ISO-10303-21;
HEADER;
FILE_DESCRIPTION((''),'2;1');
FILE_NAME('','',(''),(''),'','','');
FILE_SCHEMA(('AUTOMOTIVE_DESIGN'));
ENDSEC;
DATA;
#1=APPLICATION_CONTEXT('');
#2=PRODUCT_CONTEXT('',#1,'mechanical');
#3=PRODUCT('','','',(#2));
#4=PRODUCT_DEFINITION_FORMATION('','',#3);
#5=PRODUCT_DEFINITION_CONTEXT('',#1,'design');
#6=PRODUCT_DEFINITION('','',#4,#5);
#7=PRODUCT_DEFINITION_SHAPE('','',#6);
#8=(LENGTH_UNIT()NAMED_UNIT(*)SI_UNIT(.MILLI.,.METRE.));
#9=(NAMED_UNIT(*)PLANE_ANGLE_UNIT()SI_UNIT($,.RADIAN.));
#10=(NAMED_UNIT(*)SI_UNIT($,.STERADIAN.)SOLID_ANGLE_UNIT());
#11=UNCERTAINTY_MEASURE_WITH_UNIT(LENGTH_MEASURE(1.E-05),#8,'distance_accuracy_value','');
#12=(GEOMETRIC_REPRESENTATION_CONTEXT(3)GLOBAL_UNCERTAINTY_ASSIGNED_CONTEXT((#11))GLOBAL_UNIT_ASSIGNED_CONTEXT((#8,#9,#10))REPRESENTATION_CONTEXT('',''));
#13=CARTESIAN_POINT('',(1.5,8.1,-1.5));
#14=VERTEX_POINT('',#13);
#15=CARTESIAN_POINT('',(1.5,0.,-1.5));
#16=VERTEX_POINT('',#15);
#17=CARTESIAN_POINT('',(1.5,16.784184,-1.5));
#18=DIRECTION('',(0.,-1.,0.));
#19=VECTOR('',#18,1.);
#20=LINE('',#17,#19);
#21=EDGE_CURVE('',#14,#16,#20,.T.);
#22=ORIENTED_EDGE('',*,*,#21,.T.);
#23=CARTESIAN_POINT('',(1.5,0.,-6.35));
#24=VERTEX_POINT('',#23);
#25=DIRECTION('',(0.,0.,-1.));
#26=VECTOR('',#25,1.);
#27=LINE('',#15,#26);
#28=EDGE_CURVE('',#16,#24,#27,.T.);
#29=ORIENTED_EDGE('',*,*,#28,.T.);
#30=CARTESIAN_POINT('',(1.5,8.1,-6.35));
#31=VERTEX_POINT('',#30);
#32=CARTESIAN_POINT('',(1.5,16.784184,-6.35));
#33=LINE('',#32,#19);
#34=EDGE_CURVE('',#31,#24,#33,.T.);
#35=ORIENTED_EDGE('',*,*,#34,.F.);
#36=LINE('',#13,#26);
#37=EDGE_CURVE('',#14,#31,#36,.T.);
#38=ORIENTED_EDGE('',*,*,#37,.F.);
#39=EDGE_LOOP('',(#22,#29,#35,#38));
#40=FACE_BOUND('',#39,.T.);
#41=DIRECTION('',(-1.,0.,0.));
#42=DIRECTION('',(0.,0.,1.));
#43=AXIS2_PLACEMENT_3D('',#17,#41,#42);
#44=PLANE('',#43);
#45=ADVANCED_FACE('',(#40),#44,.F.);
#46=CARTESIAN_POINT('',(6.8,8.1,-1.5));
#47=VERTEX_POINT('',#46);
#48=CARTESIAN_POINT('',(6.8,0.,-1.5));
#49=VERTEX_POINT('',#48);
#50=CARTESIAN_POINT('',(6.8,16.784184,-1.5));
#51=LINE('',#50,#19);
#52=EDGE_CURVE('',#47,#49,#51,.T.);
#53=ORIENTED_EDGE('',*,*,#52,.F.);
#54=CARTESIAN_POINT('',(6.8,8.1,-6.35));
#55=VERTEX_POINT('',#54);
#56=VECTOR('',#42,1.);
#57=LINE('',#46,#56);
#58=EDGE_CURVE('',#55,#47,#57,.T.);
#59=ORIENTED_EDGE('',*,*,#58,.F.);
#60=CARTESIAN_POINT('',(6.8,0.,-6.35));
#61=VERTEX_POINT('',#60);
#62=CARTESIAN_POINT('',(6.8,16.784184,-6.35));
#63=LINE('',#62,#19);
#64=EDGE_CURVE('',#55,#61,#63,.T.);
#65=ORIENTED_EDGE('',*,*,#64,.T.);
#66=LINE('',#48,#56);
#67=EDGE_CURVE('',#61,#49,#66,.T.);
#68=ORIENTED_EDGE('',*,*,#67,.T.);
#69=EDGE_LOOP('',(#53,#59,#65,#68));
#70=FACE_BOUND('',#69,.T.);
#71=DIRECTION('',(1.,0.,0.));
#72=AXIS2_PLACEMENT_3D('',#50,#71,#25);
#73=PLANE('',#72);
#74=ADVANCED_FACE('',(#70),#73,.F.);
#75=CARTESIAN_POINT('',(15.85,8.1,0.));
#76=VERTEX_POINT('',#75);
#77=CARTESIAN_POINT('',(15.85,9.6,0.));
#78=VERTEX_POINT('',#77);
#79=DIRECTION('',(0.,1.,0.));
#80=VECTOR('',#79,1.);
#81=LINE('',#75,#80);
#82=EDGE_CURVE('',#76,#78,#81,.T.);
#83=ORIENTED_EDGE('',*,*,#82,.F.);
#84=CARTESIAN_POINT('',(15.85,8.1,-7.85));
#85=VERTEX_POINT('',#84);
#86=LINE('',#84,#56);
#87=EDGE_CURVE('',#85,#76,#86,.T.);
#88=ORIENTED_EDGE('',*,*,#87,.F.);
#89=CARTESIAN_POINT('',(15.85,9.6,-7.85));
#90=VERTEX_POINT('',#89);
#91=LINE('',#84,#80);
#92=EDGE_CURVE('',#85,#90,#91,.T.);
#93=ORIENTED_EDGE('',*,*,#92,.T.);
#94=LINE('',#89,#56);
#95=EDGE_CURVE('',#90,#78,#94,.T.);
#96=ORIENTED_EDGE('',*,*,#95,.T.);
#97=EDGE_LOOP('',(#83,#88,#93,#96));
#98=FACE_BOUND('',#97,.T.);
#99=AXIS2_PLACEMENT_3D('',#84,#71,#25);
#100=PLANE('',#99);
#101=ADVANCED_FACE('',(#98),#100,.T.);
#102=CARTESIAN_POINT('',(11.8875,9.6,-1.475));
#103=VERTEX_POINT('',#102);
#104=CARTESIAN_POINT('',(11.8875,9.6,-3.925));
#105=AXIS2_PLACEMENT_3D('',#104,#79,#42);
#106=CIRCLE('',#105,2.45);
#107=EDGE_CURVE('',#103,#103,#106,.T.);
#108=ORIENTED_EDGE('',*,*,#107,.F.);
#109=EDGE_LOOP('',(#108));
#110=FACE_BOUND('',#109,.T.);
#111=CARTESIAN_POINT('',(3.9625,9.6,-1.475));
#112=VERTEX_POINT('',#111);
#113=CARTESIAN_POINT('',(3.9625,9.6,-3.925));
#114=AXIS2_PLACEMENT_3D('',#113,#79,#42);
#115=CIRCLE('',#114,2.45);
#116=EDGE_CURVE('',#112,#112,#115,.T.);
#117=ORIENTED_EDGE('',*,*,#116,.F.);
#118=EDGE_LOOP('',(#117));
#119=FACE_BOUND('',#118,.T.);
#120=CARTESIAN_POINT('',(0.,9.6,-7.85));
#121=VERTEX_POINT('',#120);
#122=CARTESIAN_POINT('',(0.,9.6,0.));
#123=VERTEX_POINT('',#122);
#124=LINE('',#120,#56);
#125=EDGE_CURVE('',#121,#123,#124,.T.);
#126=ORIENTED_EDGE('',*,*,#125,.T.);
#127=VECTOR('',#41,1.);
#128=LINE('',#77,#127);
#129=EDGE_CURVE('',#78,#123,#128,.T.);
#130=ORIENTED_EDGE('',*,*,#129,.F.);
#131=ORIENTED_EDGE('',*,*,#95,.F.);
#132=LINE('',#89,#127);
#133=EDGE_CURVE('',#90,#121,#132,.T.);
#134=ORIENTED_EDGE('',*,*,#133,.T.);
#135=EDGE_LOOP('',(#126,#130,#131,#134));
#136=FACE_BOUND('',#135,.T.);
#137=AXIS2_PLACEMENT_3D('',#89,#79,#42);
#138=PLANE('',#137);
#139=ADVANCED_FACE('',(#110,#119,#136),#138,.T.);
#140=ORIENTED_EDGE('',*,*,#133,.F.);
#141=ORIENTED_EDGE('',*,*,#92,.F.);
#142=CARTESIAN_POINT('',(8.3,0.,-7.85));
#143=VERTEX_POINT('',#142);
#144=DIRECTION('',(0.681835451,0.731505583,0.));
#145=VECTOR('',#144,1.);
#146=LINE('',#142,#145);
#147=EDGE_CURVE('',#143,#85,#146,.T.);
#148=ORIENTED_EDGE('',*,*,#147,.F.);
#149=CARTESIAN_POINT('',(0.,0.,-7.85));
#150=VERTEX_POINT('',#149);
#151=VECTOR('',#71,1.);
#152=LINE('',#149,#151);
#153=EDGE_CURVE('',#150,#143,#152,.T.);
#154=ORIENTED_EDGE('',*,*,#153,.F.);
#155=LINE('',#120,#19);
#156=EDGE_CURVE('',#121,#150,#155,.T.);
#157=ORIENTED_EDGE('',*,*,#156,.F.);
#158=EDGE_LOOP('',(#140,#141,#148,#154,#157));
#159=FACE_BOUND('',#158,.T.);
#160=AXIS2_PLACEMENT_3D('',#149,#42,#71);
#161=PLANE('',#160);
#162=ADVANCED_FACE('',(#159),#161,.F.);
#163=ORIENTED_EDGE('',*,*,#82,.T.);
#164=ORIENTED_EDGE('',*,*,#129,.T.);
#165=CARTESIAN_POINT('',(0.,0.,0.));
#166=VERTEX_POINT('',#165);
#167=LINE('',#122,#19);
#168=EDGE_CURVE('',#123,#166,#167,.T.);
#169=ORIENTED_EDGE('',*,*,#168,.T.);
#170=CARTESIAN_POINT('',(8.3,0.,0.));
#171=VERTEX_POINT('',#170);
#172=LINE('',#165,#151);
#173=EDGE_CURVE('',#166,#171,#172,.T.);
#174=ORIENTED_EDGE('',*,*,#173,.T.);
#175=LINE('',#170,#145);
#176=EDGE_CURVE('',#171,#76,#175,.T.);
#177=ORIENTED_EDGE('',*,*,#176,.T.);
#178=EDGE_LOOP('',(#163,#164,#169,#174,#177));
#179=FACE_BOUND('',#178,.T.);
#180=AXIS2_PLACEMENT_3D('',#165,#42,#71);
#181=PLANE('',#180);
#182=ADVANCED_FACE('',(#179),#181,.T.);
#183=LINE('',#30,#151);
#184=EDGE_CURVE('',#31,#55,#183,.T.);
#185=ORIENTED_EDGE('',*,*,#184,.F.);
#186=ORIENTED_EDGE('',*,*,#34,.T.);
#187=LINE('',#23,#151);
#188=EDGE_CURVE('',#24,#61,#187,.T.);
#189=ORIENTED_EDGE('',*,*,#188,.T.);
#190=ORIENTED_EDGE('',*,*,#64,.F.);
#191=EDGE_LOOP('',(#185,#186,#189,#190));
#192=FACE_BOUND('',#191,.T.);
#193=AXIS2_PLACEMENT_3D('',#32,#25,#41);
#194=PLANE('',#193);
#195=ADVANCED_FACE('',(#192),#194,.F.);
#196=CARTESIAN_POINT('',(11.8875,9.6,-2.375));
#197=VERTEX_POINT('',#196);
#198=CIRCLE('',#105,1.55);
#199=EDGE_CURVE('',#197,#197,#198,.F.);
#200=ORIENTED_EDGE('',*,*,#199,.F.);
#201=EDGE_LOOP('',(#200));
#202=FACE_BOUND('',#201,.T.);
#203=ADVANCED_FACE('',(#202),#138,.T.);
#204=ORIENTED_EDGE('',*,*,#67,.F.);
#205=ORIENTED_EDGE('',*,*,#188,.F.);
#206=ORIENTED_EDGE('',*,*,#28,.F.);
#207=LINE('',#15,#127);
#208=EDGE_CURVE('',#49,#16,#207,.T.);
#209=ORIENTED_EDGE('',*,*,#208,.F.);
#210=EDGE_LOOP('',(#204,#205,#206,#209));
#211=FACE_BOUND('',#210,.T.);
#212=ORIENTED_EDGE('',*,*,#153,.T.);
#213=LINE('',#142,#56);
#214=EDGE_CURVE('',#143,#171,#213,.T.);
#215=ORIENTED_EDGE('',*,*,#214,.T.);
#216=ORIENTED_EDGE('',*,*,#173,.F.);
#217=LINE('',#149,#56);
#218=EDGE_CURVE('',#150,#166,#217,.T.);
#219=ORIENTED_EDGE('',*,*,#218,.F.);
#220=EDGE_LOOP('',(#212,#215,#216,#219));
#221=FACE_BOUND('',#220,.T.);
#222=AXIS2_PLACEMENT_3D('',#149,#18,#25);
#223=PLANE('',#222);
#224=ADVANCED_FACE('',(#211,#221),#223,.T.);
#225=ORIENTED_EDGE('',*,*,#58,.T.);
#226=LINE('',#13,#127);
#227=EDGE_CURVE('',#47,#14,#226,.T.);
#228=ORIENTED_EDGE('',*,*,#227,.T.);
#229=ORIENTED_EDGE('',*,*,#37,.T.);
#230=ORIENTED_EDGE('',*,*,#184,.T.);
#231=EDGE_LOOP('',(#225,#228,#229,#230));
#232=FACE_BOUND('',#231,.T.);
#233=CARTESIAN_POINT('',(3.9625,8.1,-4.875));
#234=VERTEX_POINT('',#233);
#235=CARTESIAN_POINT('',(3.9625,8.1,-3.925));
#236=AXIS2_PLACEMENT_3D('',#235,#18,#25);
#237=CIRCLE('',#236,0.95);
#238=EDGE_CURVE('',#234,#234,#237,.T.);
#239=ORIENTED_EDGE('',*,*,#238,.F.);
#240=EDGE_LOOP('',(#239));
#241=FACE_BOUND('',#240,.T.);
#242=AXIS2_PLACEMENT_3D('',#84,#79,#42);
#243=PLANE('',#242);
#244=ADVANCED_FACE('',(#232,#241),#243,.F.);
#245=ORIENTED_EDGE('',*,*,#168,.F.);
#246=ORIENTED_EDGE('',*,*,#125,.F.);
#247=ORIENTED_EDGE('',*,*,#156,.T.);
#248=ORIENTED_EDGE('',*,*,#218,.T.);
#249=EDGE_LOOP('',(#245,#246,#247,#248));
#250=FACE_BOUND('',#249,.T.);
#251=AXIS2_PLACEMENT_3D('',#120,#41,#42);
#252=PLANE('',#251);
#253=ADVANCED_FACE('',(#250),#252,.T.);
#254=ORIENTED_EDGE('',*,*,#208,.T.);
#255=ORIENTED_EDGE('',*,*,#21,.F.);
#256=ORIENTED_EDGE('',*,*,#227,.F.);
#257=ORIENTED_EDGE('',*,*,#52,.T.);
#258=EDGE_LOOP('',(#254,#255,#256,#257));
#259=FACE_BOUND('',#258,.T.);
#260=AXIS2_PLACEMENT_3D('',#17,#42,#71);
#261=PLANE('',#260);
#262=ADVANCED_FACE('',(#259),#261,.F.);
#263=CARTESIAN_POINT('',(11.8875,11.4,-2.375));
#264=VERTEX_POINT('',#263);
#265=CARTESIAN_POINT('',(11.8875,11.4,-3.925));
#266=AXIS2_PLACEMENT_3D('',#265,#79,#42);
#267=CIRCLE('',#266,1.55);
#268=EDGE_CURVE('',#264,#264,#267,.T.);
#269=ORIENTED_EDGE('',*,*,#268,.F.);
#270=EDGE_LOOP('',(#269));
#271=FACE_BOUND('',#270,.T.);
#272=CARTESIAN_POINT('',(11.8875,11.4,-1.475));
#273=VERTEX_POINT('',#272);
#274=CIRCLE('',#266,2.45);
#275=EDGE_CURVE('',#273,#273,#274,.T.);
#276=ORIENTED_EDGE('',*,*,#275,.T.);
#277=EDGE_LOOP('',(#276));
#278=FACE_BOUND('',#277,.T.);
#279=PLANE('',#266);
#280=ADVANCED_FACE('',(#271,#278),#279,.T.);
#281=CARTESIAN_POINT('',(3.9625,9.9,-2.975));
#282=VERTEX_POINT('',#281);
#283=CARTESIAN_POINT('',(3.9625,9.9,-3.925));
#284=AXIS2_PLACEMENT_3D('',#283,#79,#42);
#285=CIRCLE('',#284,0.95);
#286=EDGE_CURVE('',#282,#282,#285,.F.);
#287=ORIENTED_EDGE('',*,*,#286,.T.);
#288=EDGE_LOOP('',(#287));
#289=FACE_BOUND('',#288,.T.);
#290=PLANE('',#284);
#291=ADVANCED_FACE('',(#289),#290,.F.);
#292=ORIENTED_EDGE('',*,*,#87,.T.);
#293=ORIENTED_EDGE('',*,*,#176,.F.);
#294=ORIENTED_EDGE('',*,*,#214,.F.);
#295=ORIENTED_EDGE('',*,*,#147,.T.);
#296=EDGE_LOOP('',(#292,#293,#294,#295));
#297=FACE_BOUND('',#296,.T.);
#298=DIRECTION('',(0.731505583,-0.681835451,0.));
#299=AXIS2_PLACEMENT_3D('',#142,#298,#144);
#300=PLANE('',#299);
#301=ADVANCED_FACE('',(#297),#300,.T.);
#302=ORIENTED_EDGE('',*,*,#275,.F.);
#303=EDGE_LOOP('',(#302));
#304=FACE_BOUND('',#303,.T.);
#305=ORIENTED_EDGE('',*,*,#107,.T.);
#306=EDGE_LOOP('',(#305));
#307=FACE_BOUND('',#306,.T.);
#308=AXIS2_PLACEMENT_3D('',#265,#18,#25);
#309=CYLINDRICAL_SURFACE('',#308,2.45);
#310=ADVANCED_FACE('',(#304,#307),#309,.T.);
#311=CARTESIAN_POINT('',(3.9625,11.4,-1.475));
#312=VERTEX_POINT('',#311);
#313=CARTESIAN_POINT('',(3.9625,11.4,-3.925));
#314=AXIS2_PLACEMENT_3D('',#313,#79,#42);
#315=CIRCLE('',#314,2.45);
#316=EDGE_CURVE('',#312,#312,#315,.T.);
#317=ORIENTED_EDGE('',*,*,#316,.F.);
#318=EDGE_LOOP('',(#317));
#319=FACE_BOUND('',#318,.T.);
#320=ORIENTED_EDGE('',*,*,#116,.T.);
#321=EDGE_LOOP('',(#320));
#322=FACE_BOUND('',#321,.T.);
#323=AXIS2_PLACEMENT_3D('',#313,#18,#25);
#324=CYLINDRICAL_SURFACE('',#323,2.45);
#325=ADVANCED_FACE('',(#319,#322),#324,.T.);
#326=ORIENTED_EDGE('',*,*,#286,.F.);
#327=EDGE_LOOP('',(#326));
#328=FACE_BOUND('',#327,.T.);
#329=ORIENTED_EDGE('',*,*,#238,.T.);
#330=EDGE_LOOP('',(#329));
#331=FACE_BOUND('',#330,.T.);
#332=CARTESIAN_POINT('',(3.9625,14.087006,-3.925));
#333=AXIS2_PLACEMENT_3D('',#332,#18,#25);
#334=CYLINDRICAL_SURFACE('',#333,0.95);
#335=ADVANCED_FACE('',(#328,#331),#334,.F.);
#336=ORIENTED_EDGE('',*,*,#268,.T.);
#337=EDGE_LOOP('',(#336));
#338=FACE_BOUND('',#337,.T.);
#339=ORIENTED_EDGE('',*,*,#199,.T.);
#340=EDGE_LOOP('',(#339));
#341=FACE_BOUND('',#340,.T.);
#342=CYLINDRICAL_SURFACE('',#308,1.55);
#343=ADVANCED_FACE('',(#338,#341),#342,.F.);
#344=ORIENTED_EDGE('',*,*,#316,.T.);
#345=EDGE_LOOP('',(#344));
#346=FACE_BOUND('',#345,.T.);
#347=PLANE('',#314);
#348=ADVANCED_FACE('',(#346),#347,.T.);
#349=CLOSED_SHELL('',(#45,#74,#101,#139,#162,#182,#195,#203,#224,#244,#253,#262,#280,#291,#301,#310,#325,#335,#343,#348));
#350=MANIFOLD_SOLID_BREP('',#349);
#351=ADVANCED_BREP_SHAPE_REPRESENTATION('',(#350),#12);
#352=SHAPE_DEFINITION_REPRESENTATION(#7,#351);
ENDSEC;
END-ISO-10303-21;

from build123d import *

# Parameters (mm, degrees)
BOSS_EXTRUDE1_DEPTH = 7.85
SKETCH5_W           = 5.3
SKETCH5_H           = 4.85
CUT_EXTRUDE1_DEPTH  = 8.1
SKETCH6_R           = 2.45
SKETCH6_R_2         = 1.55
BOSS_EXTRUDE3_DEPTH = 1.8
SKETCH7_R           = 0.95
CUT_EXTRUDE2_DEPTH  = 1.8


with BuildPart() as part:
    # Sketch2 → Boss-Extrude1 (new body)
    with BuildSketch(Plane.XY):
        Polygon((0, 9.6), (0, 0), (8.3, 0), (15.85, 8.1), (15.85, 9.6), align=None)
    extrude(amount=-BOSS_EXTRUDE1_DEPTH)

    # Sketch5 → Cut-Extrude1 (cut)
    with BuildSketch(Plane.XZ):
        with Locations((4.15, -3.925)):
            Rectangle(SKETCH5_W, SKETCH5_H)
    extrude(amount=-CUT_EXTRUDE1_DEPTH, mode=Mode.SUBTRACT)

    # Sketch6 → Boss-Extrude3 (add)
    # profile 1 of 2: a face of its own
    with BuildSketch(Plane(origin=(0, 9.6, 0), x_dir=(1, 0, 0), z_dir=(0, 1, 0))):
        with Locations(Location((3.9625, 3.925, 0), (0, 0, 270))):
            Circle(SKETCH6_R)
    # profile 2 of 2: a face of its own
    with BuildSketch(Plane(origin=(0, 9.6, 0), x_dir=(1, 0, 0), z_dir=(0, 1, 0))):
        with Locations(Location((11.8875, 3.925, 0), (0, 0, 270))):
            Circle(SKETCH6_R)
        with Locations(Location((11.8875, 3.925, 0), (0, 0, 270))):
            Circle(SKETCH6_R_2, mode=Mode.SUBTRACT)
    extrude(amount=BOSS_EXTRUDE3_DEPTH)

    # Sketch7 → Cut-Extrude2 (cut)
    with BuildSketch(Plane.XZ.offset(-8.1)):
        with Locations(Location((3.9625, -3.925, 0), (0, 0, 270))):
            Circle(SKETCH7_R)
    extrude(amount=-CUT_EXTRUDE2_DEPTH, mode=Mode.SUBTRACT)


solid = part.part
